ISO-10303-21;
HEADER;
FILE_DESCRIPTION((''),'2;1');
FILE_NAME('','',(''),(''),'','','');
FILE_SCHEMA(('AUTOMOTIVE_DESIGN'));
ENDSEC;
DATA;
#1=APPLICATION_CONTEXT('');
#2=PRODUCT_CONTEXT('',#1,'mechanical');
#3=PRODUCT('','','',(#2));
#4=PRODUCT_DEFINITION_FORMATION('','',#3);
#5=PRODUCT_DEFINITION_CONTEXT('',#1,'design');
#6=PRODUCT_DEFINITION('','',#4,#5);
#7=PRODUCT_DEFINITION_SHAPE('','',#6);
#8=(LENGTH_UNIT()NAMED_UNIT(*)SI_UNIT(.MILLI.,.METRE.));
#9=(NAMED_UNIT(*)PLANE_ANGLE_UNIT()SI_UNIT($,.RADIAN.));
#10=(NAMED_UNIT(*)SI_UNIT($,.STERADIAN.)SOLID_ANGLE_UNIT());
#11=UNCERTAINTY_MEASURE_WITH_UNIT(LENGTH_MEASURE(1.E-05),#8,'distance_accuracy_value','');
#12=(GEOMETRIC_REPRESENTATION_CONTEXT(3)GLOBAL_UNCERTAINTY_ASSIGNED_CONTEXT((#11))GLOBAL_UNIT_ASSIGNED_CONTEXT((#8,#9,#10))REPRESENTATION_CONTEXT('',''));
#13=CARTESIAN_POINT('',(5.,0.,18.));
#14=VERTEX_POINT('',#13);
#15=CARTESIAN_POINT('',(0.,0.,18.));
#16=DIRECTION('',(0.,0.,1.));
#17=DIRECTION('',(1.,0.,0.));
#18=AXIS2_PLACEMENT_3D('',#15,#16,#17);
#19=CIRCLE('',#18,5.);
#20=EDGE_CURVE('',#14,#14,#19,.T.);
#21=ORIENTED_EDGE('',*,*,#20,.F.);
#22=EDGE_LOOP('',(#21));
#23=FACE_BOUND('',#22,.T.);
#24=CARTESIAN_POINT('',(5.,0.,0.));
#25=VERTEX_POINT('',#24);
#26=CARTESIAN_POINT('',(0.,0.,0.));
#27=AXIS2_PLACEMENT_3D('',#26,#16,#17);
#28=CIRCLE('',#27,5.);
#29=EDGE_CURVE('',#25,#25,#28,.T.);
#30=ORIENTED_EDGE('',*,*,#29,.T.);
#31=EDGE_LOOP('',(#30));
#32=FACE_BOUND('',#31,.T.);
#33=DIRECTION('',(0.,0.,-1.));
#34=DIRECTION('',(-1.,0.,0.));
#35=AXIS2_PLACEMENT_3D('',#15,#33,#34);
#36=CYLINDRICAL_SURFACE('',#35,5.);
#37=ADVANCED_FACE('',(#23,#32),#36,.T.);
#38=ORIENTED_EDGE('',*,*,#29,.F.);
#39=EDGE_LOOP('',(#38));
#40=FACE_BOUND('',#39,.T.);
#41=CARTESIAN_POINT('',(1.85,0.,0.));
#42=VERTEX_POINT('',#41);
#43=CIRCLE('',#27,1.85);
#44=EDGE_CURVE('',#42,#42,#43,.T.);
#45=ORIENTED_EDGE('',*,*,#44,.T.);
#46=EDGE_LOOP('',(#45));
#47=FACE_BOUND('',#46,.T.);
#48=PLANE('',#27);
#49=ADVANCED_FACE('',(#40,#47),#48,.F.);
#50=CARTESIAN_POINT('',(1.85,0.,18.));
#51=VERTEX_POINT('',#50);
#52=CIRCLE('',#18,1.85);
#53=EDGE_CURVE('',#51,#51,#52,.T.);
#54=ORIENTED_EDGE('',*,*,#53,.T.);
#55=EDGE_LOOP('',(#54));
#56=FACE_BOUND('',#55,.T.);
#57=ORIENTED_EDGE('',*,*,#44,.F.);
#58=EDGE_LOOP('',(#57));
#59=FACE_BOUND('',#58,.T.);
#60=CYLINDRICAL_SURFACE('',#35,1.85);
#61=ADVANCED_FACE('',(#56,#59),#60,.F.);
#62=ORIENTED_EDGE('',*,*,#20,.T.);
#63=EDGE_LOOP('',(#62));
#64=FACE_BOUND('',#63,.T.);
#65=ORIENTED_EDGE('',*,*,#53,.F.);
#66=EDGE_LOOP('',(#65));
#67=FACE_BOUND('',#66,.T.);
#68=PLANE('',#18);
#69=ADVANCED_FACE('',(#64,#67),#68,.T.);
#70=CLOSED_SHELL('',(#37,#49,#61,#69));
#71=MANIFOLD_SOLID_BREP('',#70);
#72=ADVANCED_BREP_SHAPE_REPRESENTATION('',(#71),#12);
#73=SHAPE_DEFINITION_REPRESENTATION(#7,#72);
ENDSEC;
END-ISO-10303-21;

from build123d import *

# Parameters (mm, degrees)
SKETCH1_R           = 5
SKETCH1_R_2         = 1.85
BOSS_EXTRUDE1_DEPTH = 18


with BuildPart() as part:
    # Sketch1 → Boss-Extrude1 (new body)
    with BuildSketch(Plane.XY):
        Circle(SKETCH1_R)
        Circle(SKETCH1_R_2, mode=Mode.SUBTRACT)
    extrude(amount=BOSS_EXTRUDE1_DEPTH)


solid = part.part
